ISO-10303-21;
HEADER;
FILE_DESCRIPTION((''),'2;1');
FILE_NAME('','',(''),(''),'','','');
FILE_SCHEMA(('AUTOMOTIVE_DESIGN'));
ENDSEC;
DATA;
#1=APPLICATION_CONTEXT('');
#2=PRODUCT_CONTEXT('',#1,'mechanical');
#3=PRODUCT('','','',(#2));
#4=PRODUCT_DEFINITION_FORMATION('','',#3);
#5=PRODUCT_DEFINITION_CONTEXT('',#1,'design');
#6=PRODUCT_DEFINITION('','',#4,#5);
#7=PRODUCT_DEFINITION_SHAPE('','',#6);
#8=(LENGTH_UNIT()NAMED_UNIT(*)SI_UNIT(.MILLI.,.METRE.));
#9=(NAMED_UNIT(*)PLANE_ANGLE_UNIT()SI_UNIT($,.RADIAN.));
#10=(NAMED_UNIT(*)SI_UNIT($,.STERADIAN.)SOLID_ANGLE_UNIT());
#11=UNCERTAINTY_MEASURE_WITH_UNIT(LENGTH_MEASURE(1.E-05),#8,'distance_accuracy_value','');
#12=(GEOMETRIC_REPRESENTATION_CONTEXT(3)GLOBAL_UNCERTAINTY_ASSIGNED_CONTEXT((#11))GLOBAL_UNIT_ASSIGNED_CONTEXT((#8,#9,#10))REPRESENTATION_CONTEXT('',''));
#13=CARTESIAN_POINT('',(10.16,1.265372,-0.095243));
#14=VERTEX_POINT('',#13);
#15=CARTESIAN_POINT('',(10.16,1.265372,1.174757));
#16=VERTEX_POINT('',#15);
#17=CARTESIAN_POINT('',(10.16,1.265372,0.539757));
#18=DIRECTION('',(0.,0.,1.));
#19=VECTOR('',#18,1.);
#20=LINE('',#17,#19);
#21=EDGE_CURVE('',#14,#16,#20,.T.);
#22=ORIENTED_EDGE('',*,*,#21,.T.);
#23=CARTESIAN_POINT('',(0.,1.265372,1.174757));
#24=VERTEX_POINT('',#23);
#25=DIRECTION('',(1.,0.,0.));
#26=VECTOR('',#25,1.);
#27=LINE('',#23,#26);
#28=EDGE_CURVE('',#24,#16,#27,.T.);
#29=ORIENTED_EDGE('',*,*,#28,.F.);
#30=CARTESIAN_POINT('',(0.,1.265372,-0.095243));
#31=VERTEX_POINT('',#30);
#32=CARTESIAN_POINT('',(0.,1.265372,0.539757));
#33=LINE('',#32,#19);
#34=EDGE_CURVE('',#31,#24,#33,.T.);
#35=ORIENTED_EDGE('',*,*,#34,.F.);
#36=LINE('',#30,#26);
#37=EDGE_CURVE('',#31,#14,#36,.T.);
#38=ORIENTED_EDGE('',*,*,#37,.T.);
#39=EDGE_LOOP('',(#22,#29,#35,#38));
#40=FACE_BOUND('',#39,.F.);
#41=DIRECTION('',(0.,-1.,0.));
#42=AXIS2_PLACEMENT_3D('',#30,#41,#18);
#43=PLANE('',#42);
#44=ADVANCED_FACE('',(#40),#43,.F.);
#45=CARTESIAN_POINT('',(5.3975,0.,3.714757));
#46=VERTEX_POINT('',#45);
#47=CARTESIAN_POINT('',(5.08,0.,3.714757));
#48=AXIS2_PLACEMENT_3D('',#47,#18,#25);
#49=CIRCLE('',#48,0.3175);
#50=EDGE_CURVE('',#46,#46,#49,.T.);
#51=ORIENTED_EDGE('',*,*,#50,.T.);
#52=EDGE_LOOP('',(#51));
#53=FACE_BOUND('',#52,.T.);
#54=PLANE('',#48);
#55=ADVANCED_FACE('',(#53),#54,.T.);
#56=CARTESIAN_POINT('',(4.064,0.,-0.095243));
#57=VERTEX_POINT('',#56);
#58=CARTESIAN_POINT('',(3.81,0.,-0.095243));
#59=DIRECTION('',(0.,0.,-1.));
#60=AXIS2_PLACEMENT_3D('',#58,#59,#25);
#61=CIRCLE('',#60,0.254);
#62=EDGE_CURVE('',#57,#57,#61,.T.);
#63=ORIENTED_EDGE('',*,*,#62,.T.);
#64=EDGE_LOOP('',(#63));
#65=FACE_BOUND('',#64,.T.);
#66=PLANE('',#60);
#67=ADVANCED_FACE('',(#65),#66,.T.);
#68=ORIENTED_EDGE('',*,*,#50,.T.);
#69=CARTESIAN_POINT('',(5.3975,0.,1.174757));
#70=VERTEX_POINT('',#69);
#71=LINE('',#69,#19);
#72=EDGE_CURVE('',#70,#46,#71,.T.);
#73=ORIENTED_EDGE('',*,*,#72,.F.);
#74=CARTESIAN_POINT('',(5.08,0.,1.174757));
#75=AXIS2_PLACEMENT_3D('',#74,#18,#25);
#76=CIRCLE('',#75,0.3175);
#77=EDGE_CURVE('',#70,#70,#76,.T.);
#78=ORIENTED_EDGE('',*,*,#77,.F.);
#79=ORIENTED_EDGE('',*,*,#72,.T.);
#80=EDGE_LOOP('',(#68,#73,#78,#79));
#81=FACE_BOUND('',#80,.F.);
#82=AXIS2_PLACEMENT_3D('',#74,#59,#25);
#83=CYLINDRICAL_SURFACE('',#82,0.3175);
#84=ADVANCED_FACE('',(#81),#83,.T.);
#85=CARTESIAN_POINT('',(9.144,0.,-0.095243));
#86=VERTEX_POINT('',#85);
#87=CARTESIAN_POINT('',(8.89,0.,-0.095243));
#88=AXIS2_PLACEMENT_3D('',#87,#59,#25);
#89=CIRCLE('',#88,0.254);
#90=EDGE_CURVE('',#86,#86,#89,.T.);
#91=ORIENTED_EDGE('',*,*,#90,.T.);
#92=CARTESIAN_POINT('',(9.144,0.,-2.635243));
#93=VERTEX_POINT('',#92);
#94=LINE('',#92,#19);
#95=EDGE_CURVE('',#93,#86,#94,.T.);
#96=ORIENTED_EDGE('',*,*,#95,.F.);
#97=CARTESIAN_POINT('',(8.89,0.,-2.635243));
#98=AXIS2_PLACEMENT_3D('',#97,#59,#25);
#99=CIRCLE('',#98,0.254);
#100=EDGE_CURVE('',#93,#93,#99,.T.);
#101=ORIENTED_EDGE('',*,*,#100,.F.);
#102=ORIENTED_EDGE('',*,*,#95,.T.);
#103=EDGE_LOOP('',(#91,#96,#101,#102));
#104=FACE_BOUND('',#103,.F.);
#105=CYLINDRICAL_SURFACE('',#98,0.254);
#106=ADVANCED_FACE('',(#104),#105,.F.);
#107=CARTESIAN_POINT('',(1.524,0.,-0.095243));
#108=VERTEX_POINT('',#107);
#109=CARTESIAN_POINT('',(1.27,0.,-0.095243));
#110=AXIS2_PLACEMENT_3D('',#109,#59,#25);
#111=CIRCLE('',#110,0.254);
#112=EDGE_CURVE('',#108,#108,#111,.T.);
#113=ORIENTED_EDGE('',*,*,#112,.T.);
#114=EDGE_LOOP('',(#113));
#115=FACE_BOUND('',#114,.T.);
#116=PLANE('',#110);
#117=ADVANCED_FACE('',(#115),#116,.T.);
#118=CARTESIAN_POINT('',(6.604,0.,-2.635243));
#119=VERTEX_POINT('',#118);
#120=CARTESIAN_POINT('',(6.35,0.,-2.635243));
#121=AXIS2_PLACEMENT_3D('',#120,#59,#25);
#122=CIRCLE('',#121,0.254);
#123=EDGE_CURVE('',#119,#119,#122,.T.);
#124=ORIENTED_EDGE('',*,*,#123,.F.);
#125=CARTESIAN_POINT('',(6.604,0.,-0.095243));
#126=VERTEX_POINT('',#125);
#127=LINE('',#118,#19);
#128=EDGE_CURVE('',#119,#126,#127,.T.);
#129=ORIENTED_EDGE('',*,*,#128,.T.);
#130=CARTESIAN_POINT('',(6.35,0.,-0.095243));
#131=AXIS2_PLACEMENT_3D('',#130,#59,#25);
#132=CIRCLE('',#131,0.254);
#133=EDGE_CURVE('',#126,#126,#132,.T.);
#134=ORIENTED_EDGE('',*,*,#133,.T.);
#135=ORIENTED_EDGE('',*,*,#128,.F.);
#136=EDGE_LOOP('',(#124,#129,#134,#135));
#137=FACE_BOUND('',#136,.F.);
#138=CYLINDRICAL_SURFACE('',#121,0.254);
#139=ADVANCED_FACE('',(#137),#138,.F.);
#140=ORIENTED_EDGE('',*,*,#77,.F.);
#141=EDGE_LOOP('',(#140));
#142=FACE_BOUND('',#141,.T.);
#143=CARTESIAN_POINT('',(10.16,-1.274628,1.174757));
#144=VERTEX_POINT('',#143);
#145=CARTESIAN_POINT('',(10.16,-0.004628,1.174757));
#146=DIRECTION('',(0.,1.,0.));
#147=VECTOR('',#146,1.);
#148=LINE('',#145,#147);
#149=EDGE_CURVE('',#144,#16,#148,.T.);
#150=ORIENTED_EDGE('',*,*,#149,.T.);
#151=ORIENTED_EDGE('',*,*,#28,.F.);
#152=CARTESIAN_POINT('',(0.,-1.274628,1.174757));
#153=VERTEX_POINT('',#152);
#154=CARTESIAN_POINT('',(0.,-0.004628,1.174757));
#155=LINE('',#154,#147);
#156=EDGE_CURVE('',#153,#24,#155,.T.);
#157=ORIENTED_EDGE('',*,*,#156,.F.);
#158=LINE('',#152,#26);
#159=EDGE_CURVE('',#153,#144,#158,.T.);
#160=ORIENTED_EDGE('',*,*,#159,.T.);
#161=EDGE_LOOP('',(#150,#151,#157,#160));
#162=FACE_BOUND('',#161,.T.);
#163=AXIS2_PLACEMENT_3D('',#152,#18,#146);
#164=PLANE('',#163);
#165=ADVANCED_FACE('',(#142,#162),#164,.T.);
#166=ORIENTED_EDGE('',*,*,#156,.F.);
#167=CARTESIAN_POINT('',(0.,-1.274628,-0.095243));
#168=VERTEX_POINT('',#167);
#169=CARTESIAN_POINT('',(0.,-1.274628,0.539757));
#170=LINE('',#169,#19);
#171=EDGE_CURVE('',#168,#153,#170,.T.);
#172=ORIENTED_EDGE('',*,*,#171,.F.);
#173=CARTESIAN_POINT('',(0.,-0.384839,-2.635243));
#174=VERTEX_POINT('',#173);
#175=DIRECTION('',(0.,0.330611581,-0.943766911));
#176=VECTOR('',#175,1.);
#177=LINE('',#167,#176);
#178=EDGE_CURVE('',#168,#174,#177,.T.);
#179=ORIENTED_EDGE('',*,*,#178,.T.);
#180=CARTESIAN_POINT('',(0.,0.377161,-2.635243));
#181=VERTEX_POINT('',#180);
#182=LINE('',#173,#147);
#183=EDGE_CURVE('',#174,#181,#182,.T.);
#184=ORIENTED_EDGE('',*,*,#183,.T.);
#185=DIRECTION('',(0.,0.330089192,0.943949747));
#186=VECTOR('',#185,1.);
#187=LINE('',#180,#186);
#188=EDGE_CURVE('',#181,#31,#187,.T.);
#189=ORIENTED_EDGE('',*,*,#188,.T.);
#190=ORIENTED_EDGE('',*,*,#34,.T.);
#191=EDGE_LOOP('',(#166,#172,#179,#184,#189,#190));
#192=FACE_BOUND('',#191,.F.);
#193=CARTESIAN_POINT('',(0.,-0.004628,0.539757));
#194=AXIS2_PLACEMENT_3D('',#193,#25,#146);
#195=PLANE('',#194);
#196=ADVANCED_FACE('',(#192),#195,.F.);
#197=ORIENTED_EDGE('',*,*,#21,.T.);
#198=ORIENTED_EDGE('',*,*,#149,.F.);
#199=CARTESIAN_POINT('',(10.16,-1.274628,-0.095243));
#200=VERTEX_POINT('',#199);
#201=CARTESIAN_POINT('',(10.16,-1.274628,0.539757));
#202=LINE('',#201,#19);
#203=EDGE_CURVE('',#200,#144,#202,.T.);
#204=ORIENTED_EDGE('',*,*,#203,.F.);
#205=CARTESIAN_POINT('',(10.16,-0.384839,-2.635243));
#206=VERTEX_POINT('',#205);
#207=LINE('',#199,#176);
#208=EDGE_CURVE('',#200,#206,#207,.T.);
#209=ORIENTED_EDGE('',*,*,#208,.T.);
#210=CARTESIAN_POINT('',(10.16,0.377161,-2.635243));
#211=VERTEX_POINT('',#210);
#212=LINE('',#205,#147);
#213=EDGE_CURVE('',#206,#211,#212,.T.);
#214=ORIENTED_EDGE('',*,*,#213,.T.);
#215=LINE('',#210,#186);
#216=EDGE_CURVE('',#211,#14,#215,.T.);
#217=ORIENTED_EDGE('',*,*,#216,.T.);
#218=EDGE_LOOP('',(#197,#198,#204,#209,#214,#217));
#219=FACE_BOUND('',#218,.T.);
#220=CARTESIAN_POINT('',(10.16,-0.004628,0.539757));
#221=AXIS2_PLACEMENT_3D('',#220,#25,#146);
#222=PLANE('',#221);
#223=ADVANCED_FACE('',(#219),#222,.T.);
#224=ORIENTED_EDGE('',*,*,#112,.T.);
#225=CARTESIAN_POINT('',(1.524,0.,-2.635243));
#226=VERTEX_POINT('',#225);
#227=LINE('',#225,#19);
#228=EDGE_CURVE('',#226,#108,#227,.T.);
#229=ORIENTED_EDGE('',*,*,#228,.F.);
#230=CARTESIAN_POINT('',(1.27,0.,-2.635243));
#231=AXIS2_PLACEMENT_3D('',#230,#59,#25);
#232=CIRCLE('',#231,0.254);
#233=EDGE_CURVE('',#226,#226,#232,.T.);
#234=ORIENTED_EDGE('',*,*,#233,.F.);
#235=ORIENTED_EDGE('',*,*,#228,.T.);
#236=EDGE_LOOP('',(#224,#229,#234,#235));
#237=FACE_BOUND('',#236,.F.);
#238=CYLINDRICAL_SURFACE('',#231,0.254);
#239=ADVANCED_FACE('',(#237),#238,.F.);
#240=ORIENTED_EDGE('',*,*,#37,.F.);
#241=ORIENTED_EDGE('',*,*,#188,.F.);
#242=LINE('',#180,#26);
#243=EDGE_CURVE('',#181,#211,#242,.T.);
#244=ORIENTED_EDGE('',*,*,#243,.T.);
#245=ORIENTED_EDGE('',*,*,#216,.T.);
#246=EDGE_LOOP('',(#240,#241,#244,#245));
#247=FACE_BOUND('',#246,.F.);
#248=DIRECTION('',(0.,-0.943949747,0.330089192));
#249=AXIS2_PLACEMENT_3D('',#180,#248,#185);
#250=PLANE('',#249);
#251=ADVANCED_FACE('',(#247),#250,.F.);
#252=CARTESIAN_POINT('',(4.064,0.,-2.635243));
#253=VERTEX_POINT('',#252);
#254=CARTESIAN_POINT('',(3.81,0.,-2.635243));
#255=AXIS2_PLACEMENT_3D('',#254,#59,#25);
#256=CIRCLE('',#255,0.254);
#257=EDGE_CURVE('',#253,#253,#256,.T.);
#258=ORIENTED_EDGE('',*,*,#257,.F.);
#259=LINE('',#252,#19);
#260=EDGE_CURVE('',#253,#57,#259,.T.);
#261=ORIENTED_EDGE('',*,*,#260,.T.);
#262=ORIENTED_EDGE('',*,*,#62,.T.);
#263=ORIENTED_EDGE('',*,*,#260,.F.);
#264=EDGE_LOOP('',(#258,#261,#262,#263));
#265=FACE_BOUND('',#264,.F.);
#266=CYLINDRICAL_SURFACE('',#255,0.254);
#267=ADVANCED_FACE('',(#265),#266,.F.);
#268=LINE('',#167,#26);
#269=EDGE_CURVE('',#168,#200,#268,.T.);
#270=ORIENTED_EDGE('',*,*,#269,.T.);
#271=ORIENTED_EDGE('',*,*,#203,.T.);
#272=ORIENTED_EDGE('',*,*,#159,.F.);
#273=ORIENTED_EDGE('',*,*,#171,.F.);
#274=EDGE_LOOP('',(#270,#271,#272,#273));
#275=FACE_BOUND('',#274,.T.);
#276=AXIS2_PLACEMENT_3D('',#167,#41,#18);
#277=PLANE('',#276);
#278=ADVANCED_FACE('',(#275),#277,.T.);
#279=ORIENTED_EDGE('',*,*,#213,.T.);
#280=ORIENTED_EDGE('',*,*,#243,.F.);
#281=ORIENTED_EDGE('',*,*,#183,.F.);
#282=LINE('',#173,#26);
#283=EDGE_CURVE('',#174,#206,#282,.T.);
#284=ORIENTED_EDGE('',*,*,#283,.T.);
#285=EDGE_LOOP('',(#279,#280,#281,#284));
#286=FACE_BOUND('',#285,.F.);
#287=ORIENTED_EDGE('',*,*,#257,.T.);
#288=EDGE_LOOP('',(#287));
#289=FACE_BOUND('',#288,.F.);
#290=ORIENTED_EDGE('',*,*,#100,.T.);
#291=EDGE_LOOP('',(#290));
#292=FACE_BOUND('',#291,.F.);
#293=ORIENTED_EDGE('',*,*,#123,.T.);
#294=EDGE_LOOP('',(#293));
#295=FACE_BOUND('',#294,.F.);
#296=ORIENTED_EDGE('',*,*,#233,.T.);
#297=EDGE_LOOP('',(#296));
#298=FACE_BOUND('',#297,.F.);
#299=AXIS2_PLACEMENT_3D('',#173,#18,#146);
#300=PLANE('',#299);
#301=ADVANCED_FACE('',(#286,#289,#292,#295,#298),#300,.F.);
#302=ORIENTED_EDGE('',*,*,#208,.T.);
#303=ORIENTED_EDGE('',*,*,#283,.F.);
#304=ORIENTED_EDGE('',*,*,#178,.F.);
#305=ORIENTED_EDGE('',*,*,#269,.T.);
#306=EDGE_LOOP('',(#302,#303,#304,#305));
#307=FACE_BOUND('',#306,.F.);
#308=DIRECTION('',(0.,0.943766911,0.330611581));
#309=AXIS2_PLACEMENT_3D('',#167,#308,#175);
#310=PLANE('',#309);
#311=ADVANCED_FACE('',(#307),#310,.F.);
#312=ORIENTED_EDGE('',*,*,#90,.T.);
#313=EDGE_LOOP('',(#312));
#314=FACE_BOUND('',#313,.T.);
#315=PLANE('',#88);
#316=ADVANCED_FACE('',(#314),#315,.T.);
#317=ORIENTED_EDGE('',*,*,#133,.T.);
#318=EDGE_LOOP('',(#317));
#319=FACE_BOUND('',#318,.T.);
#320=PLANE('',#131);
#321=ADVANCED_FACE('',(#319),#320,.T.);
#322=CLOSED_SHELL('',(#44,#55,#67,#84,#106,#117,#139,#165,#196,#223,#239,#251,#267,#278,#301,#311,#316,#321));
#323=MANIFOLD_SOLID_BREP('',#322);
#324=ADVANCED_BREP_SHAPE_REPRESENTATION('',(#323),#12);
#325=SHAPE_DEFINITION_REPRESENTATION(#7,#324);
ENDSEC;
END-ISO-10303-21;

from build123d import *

# Parameters (mm, degrees)
F0_W      = 2.54
F0_H      = 1.27
F1_DEPTH  = 10.16
F2_R      = 0.254
F3_DEPTH  = 2.54
F4_R      = 0.3175
F5_DEPTH  = 2.54
F6_R      = 0.254
F7_DEPTH  = 2.54
F8_R      = 0.254
F9_DEPTH  = 2.54
F10_R     = 0.254
F11_DEPTH = 2.54


with BuildPart() as f1:
    # F0 (on Right) → F1 (new body)
    with BuildSketch(Plane.YZ):
        with Locations((-0.004628, 0.539757)):
            Rectangle(F0_W, F0_H)
        Polygon((1.265372, -0.095243), (-1.274628, -0.095243), (-0.384839, -2.635243), (0.377161, -2.635243), align=None)
    extrude(amount=F1_DEPTH)

    # F2 (on face) → F3 (cut)
    with BuildSketch(Plane(origin=(0, 0, -2.635243), x_dir=(1, 0, 0), z_dir=(0, 0, -1))):
        with Locations((1.27, 0)):
            Circle(F2_R)
    extrude(amount=-F3_DEPTH, mode=Mode.SUBTRACT)

    # F4 (on face) → F5 (join)
    with BuildSketch(Plane.XY.offset(1.174757)):
        with Locations((5.08, 0)):
            Circle(F4_R)
    extrude(amount=F5_DEPTH)

    # F6 (on face) → F7 (cut)
    with BuildSketch(Plane(origin=(0, 0, -2.635243), x_dir=(1, 0, 0), z_dir=(0, 0, -1))):
        with Locations((8.89, 0)):
            Circle(F6_R)
    extrude(amount=-F7_DEPTH, mode=Mode.SUBTRACT)

    # F8 (on face) → F9 (cut)
    with BuildSketch(Plane(origin=(0, 0, -2.635243), x_dir=(1, 0, 0), z_dir=(0, 0, -1))):
        with Locations((3.81, 0)):
            Circle(F8_R)
    extrude(amount=-F9_DEPTH, mode=Mode.SUBTRACT)

    # F10 (on face) → F11 (cut)
    with BuildSketch(Plane(origin=(0, 0, -2.635243), x_dir=(1, 0, 0), z_dir=(0, 0, -1))):
        with Locations((6.35, 0)):
            Circle(F10_R)
    extrude(amount=-F11_DEPTH, mode=Mode.SUBTRACT)


solid = f1.part
